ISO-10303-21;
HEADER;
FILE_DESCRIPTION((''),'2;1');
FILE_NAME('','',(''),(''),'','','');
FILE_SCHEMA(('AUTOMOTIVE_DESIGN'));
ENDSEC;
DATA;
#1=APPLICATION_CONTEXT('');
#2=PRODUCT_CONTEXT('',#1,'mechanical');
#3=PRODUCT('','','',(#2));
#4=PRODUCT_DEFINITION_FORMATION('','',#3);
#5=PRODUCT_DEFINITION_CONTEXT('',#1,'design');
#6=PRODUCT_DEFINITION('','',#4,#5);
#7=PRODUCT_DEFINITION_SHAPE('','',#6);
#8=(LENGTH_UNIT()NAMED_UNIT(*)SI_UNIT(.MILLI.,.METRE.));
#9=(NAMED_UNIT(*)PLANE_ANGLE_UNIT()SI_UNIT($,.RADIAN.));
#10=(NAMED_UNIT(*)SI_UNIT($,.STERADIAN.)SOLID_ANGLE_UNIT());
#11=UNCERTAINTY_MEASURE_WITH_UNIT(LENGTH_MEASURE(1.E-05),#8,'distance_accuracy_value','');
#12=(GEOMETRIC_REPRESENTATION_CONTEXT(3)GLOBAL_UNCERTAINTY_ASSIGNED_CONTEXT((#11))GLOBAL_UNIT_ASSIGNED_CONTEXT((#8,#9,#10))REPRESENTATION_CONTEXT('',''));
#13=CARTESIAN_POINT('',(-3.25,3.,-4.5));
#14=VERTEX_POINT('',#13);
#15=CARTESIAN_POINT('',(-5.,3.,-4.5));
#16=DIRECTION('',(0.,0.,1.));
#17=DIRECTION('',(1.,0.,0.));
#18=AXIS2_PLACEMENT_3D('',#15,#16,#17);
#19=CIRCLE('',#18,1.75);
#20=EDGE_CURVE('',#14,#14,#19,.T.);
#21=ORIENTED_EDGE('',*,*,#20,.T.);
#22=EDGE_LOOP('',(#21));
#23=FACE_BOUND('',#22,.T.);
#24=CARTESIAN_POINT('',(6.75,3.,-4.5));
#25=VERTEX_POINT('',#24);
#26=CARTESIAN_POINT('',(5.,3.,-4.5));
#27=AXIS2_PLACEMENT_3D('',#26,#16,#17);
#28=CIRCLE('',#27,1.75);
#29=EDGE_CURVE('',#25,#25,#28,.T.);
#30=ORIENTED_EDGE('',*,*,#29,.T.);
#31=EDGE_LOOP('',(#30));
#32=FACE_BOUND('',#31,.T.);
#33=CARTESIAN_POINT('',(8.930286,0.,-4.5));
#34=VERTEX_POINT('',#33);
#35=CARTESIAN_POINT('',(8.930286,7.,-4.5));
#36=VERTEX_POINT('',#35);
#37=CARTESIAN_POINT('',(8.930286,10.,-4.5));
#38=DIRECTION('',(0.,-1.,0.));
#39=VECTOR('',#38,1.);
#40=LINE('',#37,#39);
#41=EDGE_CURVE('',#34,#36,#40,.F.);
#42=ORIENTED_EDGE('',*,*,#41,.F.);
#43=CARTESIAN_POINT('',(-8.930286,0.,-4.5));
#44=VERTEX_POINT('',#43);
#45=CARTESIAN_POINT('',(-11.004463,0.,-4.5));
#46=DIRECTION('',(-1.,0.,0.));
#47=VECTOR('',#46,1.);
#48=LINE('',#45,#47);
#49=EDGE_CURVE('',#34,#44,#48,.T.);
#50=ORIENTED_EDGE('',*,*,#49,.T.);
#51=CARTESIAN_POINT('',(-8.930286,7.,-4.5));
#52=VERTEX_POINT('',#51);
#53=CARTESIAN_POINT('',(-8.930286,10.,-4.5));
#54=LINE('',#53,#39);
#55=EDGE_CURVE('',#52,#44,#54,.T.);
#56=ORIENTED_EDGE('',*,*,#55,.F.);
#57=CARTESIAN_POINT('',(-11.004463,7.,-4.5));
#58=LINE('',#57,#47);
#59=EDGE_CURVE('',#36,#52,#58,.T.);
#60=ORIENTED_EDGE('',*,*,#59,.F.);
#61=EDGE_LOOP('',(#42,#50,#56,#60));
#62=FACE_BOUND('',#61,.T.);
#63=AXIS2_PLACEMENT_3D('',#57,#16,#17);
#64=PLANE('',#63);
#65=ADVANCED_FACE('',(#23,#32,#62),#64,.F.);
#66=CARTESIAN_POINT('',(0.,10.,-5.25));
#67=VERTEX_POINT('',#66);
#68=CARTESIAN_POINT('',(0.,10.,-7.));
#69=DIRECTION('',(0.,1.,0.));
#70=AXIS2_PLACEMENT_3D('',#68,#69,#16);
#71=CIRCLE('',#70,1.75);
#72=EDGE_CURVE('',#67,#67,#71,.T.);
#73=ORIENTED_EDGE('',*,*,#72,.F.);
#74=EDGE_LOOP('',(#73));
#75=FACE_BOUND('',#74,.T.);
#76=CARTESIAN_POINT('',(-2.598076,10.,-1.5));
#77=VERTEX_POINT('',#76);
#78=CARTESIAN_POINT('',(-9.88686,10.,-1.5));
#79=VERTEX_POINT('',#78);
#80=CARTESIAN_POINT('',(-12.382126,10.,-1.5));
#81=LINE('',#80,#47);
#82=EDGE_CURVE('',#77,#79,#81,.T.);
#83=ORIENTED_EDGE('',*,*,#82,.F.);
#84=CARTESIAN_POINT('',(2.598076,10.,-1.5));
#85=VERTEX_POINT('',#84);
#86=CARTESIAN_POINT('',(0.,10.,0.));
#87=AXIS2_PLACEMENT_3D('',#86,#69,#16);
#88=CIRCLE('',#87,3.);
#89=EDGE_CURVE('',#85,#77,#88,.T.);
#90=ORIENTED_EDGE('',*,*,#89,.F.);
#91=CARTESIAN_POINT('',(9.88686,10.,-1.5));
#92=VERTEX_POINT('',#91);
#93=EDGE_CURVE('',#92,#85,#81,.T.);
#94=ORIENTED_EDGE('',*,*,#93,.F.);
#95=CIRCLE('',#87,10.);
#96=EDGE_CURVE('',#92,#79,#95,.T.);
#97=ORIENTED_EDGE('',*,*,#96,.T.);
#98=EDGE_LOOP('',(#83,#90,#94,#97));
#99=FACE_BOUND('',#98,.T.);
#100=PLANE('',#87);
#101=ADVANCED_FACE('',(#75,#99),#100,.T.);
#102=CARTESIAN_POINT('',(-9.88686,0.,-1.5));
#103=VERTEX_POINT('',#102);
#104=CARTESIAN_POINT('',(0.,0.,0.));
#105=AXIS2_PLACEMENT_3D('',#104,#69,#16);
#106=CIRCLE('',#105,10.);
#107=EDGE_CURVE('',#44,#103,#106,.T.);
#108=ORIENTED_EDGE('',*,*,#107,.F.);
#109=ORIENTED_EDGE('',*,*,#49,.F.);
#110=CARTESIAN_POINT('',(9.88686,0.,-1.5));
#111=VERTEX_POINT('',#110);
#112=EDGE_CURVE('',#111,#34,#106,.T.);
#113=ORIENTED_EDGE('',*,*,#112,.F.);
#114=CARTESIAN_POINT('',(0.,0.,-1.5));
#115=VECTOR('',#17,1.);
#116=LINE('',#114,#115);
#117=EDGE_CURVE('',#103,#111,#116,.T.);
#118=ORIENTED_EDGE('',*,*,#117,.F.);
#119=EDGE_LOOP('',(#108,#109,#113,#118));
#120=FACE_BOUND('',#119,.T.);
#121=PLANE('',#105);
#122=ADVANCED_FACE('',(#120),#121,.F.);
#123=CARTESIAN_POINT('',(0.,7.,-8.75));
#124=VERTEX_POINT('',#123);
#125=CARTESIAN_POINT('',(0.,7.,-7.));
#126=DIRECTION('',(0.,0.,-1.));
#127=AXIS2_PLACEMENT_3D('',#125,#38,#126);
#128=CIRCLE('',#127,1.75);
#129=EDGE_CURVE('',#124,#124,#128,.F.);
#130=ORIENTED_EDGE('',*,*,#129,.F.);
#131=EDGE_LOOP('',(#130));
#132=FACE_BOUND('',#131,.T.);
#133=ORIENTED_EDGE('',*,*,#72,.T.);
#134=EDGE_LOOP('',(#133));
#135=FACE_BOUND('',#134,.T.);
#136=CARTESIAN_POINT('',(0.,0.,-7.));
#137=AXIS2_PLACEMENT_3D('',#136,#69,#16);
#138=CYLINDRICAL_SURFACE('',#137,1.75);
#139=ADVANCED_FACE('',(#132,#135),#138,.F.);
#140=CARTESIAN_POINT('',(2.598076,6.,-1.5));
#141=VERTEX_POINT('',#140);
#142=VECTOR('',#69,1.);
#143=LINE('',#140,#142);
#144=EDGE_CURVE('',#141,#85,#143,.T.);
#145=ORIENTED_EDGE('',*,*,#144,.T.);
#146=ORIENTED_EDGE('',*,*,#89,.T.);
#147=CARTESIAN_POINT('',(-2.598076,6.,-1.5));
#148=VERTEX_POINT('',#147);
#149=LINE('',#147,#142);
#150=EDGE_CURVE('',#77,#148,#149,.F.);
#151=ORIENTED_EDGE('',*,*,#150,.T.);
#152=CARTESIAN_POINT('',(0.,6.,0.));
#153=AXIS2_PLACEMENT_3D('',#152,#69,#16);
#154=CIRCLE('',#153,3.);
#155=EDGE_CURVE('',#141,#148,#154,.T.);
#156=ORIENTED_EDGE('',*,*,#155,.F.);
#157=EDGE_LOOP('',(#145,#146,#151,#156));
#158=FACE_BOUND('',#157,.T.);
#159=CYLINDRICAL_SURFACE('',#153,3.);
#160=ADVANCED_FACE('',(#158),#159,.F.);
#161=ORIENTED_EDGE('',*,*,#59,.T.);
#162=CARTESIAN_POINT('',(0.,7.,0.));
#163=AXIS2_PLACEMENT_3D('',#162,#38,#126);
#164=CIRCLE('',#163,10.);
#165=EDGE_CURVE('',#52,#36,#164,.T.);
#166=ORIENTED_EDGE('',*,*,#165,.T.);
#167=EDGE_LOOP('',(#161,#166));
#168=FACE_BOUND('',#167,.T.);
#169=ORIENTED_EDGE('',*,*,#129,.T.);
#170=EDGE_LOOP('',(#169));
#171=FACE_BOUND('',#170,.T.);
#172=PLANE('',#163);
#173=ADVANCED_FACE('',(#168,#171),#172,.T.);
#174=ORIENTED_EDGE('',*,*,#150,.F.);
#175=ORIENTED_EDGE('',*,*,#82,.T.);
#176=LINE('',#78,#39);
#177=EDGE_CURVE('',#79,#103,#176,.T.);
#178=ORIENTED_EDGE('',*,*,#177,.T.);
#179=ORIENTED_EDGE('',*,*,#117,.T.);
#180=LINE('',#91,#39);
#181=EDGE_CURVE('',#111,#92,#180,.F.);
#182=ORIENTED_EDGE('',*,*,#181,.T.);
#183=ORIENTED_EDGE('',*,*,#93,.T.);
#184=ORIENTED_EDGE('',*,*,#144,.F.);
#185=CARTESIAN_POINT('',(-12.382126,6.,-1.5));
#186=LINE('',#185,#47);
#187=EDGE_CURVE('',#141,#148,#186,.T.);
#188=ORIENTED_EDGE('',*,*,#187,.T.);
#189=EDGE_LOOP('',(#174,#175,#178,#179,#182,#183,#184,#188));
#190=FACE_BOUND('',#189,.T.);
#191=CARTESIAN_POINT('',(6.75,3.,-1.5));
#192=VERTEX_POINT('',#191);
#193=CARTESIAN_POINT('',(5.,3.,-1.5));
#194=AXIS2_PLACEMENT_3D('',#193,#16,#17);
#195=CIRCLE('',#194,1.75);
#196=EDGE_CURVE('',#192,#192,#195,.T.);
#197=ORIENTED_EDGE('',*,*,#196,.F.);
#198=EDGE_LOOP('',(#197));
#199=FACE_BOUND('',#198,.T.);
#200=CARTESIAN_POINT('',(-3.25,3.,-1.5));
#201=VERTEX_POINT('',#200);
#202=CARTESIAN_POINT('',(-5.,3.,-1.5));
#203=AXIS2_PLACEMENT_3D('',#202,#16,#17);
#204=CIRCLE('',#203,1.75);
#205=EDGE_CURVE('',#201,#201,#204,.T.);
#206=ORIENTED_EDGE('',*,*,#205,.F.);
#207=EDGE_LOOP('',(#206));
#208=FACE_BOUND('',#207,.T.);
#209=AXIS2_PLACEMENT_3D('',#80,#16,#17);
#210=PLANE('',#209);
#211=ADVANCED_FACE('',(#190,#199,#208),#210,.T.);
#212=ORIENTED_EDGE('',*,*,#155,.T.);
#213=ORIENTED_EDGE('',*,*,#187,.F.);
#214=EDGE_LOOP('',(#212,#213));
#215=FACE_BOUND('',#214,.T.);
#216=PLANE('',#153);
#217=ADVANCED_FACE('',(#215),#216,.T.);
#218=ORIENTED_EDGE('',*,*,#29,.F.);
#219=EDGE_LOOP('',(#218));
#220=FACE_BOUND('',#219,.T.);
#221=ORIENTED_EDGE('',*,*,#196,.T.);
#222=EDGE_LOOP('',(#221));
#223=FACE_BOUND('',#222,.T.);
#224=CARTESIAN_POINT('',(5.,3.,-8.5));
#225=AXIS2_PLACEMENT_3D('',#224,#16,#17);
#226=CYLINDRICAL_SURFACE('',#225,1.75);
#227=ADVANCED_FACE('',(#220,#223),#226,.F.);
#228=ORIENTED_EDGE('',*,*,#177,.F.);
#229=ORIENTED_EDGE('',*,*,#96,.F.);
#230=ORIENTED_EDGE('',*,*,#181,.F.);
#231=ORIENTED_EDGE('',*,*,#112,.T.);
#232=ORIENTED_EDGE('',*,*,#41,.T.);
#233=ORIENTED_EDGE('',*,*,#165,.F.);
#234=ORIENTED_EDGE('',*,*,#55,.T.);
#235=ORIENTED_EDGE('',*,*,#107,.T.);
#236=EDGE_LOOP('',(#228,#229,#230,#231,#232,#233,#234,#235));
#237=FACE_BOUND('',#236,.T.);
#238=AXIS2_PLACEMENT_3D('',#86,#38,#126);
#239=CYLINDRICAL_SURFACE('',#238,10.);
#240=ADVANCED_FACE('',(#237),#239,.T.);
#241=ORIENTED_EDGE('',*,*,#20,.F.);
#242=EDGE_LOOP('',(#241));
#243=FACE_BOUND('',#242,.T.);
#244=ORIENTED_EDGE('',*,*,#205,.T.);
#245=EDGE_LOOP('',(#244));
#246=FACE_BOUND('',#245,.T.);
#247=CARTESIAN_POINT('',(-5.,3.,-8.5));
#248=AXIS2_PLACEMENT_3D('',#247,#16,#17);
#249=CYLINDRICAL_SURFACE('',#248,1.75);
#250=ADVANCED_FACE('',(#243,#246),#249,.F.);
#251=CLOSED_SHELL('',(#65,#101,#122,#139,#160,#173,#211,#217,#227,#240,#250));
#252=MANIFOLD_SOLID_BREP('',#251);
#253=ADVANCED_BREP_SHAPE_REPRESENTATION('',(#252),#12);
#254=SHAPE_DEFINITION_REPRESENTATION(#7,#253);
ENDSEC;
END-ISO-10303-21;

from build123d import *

# Parameters (mm, degrees)
SKETCH_1_R               = 10
EXTRUDE_1_DEPTH          = 10
CUT_EXTRUDE_1_DEPTH      = 10
CUT_EXTRUDE_1_DEPTH_BACK = 10
SKETCH_2_W               = 27.353123027
SKETCH_2_H               = 11.793746162
SKETCH_3_R               = 1.75
CUT_EXTRUDE_2_DEPTH      = 18.255433927
SKETCH_4_R               = 3
CUT_EXTRUDE_3_DEPTH      = 4
SKETCH_5_W               = 23.260827415
SKETCH_5_H               = 7
CUT_EXTRUDE_5_DEPTH      = 7
SKETCH_6_R               = 1.75
CUT_EXTRUDE_6_DEPTH      = 7


with BuildPart() as part:
    # Эскиз1 → Бобышка-Вытянуть1 (new body)
    with BuildSketch(Plane(origin=(0, 0, 0), x_dir=(1, 0, 0), z_dir=(0, 1, 0))):
        Circle(SKETCH_1_R)
    extrude(amount=EXTRUDE_1_DEPTH)

    # Эскиз2 → Вырез-Вытянуть1 (cut, two sides: drawn at the far end of the back side and taken through both)
    with BuildSketch(Plane(origin=(0, 0, 0), x_dir=(1, 0, 0), z_dir=(0, 1, 0)).offset(-CUT_EXTRUDE_1_DEPTH_BACK)):
        with Locations((1.294435554, -4.396873081)):
            Rectangle(SKETCH_2_W, SKETCH_2_H)
    extrude(amount=CUT_EXTRUDE_1_DEPTH + CUT_EXTRUDE_1_DEPTH_BACK, mode=Mode.SUBTRACT)

    # Эскиз3 → Вырез-Вытянуть2 (cut, through all)
    with BuildSketch(Plane(origin=(0, 10, 0), x_dir=(1, 0, 0), z_dir=(0, 1, 0))):
        with Locations((0, 7)):
            Circle(SKETCH_3_R)
    extrude(amount=-CUT_EXTRUDE_2_DEPTH, mode=Mode.SUBTRACT)

    # Эскиз4 → Вырез-Вытянуть3 (cut)
    with BuildSketch(Plane(origin=(0, 10, 0), x_dir=(1, 0, 0), z_dir=(0, 1, 0))):
        Circle(SKETCH_4_R)
    extrude(amount=-CUT_EXTRUDE_3_DEPTH, mode=Mode.SUBTRACT)

    # Эскиз5 → Вырез-Вытянуть5 (cut)
    with BuildSketch(Plane.XZ):
        with Locations((0.625951198, -8)):
            Rectangle(SKETCH_5_W, SKETCH_5_H)
    extrude(amount=-CUT_EXTRUDE_5_DEPTH, mode=Mode.SUBTRACT)

    # Эскиз6 → Вырез-Вытянуть6 (cut)
    with BuildSketch(Plane.XY.offset(-1.5)):
        with Locations((-5, 3)):
            Circle(SKETCH_6_R)
        with Locations((5, 3)):
            Circle(SKETCH_6_R)
    extrude(amount=-CUT_EXTRUDE_6_DEPTH, mode=Mode.SUBTRACT)


solid = part.part
